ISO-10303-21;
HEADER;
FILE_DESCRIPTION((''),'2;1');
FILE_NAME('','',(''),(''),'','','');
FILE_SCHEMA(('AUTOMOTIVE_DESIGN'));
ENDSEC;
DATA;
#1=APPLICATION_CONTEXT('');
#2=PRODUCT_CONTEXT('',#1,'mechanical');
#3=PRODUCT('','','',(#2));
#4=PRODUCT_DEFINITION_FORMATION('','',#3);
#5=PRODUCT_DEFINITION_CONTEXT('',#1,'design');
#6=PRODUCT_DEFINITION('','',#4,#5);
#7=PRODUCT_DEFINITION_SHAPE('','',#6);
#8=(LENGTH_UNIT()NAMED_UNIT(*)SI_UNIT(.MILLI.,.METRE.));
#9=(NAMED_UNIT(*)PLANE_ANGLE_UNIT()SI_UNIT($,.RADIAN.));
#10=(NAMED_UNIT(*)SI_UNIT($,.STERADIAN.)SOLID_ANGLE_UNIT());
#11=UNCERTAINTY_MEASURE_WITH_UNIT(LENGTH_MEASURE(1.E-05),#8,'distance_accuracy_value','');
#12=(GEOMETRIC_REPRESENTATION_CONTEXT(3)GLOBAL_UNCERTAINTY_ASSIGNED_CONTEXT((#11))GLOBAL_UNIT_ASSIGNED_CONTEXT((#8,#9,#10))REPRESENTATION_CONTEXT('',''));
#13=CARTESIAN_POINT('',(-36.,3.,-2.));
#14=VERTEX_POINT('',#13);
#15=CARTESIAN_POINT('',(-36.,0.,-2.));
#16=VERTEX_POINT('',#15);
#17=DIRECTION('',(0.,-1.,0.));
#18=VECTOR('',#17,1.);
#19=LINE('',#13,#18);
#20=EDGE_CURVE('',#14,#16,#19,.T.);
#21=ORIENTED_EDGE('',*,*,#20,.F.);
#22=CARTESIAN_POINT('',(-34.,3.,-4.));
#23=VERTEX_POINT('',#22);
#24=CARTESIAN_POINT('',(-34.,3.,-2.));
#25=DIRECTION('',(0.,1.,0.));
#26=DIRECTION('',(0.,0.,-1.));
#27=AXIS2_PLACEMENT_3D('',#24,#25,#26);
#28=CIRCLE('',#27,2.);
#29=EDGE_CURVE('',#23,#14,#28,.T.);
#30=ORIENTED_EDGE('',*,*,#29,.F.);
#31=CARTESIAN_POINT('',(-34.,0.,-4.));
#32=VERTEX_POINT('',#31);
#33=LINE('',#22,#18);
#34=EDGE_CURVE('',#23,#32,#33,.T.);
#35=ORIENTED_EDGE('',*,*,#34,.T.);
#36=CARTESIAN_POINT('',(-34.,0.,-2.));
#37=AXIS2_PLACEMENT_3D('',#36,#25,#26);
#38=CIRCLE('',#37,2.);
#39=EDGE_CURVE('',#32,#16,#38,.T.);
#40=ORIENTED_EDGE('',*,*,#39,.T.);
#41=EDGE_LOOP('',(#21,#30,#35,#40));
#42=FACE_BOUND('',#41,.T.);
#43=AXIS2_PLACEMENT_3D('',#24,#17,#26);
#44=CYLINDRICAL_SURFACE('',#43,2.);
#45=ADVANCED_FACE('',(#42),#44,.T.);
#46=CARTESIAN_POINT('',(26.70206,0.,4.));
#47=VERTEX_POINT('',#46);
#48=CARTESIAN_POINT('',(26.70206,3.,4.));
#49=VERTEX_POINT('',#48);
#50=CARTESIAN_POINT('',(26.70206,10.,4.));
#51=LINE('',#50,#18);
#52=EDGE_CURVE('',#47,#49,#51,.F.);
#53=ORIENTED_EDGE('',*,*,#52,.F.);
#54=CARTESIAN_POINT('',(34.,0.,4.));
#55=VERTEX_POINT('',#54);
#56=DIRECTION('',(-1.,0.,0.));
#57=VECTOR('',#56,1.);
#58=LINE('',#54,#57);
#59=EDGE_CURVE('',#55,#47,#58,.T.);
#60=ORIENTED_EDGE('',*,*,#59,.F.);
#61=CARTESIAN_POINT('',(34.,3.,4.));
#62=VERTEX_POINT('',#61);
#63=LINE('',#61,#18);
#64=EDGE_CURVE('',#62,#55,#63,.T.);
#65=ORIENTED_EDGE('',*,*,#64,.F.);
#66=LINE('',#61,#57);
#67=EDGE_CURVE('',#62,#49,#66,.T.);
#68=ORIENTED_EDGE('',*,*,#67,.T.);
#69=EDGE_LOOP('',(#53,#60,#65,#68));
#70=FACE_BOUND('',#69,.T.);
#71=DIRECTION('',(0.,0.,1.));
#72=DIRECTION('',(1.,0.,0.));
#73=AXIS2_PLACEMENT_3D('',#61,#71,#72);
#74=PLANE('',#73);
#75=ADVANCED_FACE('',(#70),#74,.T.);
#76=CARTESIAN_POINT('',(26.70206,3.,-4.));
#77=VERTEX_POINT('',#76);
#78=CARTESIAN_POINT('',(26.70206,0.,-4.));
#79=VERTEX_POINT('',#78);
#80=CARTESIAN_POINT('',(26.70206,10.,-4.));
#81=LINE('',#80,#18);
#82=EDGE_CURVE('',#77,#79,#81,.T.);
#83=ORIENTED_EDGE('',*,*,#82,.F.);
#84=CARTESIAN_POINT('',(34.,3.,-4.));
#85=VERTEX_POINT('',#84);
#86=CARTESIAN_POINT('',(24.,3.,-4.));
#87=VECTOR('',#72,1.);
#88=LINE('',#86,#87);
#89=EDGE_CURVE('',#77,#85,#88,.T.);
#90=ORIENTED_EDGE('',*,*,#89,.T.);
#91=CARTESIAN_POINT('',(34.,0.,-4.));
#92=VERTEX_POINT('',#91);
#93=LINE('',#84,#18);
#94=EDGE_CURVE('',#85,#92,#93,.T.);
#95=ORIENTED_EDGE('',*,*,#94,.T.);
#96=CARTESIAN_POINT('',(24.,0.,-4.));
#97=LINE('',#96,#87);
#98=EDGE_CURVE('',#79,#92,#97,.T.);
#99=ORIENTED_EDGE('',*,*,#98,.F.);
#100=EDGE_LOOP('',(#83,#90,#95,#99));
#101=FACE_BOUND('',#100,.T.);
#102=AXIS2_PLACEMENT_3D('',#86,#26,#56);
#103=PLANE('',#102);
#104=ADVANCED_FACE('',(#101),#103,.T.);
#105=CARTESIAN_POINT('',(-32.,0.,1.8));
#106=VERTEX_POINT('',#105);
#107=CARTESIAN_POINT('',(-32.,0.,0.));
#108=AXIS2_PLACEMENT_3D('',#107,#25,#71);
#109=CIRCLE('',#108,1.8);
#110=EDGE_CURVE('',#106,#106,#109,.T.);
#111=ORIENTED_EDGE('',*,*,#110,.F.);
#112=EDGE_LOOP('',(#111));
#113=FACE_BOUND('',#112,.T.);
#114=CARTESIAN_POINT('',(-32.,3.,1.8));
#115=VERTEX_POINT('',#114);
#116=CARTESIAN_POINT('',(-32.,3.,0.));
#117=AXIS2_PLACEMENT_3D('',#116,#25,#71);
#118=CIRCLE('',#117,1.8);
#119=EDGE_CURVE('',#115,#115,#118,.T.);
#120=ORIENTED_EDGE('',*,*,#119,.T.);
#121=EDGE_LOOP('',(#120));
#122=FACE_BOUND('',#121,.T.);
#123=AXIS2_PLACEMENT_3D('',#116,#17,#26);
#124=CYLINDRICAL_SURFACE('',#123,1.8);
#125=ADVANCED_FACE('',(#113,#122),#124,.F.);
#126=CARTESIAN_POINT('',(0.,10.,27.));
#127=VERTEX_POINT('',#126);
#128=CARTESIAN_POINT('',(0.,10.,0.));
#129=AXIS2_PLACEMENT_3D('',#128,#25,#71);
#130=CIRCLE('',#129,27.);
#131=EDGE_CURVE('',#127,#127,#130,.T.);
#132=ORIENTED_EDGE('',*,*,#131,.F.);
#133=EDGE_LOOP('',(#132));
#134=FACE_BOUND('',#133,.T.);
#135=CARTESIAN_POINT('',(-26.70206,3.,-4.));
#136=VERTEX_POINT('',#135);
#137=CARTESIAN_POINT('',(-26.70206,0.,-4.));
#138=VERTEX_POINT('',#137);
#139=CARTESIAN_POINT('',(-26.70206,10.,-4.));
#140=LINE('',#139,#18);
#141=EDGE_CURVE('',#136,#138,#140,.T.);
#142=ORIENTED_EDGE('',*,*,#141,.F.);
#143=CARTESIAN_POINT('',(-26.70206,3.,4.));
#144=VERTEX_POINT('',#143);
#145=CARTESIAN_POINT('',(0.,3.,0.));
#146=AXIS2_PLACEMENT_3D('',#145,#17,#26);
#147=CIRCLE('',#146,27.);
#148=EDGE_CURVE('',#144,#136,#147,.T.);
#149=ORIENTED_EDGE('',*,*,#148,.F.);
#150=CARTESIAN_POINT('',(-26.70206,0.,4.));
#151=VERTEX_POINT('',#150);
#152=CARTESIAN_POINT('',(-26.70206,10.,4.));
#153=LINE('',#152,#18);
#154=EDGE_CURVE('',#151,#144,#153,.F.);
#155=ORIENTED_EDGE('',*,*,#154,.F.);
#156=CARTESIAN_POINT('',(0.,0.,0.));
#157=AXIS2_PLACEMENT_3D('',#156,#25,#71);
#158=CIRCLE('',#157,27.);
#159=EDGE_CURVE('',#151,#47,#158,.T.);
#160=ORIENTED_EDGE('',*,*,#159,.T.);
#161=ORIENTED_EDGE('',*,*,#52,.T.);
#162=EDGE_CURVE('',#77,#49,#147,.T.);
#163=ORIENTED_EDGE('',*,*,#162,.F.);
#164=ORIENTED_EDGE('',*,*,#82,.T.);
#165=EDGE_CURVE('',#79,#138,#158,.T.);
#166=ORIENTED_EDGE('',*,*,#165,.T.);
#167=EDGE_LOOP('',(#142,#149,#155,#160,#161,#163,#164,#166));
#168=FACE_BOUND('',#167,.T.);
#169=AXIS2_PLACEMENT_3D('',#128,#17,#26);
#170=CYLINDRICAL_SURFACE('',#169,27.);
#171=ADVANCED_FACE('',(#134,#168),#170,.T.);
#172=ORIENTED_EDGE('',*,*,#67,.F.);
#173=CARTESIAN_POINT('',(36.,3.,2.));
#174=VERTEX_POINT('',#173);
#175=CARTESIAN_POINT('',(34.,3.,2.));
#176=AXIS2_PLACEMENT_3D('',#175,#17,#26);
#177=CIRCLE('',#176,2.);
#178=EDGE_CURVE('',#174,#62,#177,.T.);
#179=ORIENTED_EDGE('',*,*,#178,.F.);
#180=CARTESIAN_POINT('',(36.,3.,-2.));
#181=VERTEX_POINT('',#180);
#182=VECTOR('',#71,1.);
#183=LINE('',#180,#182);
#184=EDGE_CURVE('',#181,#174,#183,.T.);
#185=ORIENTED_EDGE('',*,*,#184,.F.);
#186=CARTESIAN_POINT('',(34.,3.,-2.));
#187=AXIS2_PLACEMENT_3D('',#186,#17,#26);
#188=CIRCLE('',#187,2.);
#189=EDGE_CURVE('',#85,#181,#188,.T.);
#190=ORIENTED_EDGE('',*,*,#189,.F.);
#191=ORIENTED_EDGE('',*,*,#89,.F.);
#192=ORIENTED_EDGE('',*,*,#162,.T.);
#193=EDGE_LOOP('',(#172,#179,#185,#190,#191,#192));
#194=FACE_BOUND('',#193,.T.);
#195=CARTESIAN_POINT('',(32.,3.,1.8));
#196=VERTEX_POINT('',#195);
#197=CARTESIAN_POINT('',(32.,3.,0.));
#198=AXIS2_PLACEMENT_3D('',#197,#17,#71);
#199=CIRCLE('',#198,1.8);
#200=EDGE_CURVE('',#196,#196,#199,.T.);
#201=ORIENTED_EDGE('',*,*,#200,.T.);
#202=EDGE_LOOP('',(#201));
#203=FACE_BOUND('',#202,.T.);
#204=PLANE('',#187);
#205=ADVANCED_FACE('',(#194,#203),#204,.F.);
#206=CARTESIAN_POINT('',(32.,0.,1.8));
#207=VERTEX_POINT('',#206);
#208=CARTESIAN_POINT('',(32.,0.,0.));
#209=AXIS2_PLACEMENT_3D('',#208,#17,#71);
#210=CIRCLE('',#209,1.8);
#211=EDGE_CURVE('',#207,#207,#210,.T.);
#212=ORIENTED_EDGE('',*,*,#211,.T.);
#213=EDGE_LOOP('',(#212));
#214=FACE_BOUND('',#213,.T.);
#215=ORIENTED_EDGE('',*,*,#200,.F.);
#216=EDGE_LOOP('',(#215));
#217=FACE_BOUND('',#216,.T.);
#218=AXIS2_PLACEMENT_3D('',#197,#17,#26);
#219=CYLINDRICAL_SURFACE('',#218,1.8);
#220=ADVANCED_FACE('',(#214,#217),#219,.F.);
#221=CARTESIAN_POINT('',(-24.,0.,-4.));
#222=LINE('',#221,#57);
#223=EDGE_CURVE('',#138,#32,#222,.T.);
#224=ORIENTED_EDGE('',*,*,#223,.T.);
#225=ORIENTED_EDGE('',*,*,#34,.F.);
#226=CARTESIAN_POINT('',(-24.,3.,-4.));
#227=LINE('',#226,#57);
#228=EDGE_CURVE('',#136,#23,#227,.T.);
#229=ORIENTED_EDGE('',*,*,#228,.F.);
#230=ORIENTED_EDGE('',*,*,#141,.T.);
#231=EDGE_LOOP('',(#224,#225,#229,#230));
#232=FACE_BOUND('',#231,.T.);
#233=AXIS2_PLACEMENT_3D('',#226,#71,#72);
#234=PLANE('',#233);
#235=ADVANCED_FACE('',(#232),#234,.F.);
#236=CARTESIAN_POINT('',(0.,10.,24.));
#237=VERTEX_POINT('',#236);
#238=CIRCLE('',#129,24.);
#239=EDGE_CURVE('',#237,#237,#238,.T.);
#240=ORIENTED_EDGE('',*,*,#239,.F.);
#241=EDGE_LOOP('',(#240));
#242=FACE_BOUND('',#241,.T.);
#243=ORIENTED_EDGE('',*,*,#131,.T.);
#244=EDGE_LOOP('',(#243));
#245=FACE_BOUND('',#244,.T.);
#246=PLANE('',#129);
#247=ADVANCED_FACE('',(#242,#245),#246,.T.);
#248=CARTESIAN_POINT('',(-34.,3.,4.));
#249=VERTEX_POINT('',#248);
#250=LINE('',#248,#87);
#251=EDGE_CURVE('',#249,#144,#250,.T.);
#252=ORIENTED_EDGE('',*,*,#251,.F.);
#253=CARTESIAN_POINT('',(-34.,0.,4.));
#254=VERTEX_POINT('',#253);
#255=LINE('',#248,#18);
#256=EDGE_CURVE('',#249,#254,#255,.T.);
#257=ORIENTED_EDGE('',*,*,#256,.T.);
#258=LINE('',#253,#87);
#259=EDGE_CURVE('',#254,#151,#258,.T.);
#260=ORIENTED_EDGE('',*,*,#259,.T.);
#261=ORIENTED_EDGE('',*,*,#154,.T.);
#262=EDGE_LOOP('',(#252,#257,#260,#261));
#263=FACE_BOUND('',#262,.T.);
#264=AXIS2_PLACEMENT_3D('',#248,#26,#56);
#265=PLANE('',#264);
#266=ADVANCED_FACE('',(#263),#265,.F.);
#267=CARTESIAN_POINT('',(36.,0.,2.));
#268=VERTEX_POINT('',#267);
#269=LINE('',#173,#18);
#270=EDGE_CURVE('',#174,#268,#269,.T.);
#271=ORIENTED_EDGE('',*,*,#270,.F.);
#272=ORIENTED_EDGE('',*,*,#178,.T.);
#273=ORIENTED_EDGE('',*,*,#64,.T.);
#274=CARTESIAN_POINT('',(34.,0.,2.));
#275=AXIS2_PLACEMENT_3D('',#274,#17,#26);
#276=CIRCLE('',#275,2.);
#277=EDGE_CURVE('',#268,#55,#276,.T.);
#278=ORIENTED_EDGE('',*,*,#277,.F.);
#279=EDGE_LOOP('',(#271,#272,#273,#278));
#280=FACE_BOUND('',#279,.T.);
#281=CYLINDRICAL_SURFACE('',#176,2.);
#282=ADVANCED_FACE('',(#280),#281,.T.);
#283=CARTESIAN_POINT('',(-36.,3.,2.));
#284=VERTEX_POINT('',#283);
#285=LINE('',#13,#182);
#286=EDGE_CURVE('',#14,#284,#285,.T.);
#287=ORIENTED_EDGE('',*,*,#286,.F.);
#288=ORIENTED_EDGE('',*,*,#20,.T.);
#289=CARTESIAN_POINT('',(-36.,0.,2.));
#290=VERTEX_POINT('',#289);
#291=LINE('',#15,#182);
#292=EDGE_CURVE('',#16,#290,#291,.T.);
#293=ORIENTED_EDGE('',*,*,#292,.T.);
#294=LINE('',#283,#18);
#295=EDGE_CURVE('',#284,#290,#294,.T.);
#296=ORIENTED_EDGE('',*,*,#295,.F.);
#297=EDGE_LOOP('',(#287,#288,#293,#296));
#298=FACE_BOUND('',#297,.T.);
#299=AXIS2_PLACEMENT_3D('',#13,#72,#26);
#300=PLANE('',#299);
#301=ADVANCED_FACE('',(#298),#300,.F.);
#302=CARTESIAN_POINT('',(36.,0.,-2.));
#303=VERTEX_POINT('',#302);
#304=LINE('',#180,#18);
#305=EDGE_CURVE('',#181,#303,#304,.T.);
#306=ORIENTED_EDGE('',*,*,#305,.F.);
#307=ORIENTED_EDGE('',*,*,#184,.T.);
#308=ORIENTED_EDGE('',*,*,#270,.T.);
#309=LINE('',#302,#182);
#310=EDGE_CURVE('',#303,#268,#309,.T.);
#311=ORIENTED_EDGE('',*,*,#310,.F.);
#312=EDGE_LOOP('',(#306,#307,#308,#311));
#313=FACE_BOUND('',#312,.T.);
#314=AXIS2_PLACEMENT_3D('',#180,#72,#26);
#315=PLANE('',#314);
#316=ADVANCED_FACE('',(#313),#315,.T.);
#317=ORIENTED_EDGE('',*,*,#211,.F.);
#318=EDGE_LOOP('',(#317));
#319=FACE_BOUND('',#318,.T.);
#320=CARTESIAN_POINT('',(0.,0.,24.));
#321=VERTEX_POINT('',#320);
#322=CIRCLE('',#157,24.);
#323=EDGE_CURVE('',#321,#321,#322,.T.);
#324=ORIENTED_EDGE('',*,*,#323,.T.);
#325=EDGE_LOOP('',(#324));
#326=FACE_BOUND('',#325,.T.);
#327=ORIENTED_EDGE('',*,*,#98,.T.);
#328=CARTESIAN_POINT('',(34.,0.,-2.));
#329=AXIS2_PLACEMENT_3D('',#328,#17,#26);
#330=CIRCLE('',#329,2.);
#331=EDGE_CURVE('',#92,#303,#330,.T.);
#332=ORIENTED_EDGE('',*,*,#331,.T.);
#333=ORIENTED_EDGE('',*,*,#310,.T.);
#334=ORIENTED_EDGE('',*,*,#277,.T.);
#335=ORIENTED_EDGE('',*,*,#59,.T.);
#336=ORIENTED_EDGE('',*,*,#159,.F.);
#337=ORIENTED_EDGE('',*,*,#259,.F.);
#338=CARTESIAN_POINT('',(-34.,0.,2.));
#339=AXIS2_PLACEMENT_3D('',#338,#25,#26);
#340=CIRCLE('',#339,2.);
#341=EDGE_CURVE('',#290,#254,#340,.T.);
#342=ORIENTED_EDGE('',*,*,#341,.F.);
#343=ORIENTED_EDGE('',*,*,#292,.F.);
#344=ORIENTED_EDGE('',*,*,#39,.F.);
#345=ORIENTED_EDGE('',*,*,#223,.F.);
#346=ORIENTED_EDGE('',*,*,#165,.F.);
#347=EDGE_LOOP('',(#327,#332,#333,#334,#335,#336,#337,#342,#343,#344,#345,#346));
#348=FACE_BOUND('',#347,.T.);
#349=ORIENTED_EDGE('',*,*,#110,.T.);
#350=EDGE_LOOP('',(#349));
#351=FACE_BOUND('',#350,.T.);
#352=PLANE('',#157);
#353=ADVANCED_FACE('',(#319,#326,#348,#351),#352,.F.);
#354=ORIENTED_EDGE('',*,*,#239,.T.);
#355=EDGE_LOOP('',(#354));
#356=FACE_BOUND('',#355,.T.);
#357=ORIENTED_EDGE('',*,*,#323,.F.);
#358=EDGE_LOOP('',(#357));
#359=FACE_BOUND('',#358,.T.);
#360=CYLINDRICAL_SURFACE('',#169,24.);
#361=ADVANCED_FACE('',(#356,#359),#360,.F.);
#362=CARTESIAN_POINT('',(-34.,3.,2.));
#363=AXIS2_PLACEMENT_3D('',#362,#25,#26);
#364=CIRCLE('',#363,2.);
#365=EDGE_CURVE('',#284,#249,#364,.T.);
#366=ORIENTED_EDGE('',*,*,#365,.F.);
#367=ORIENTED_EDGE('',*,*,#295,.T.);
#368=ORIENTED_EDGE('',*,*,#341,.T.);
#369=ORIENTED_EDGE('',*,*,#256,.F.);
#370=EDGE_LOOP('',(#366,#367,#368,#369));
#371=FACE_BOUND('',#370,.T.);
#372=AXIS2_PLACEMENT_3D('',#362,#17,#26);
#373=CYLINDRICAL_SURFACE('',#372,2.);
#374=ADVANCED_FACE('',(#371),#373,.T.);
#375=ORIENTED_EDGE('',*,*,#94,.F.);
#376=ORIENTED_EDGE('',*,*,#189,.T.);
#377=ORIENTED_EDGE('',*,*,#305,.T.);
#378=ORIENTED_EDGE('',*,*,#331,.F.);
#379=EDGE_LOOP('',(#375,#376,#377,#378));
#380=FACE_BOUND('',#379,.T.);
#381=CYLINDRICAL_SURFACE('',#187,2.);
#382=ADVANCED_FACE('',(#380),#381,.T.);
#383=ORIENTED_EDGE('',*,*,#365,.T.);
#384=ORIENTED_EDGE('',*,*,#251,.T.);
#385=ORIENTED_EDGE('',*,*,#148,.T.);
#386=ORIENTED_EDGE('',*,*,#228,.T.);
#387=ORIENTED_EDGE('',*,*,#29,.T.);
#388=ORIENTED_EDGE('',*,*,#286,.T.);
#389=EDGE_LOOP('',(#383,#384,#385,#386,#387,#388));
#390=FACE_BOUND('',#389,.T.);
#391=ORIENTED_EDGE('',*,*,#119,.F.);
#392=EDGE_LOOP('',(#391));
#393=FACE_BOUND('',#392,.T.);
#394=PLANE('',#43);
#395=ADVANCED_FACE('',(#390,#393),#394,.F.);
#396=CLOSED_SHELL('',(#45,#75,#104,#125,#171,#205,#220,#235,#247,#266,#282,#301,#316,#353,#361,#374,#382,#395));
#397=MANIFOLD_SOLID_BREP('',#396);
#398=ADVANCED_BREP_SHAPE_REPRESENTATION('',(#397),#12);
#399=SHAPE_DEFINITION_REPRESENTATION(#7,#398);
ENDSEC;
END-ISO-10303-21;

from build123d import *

# Parameters (mm, degrees)
SKETCH1_R           = 27
SKETCH1_R_2         = 24
BOSS_EXTRUDE1_DEPTH = 10
SKETCH3_R           = 1.8
BOSS_EXTRUDE2_DEPTH = 3


with BuildPart() as part:
    # Sketch1 → Boss-Extrude1 (new body)
    with BuildSketch(Plane(origin=(0, 0, 0), x_dir=(1, 0, 0), z_dir=(0, 1, 0))):
        with Locations(Location((0, 0, 0), (0, 0, 270))):
            Circle(SKETCH1_R)
        with Locations(Location((0, 0, 0), (0, 0, 270))):
            Circle(SKETCH1_R_2, mode=Mode.SUBTRACT)
    extrude(amount=BOSS_EXTRUDE1_DEPTH)

    # Sketch3 → Boss-Extrude2 (add)
    with BuildSketch(Plane(origin=(0, 0, 0), x_dir=(1, 0, 0), z_dir=(0, 1, 0))):
        with BuildLine():
            Line((-24, 0), (-24, 4))
            Line((-24, 4), (-34, 4))
            ThreePointArc((-34, 4), (-35.414213562, 3.414213562), (-36, 2))
            Line((-36, 2), (-36, -2))
            ThreePointArc((-36, -2), (-35.414213562, -3.414213562), (-34, -4))
            Line((-34, -4), (-24, -4))
            Line((-24, -4), (-24, 0))
        make_face()
        with Locations(Location((-32, 0, 0), (0, 0, 270))):
            Circle(SKETCH3_R, mode=Mode.SUBTRACT)
    boss_extrude2 = extrude(amount=BOSS_EXTRUDE2_DEPTH)

    # Mirror1: Boss-Extrude2 across plane
    add(boss_extrude2.mirror(Plane(origin=(0, 0, 0), x_dir=(0, 0, 1), z_dir=(1, 0, 0))))


solid = part.part
